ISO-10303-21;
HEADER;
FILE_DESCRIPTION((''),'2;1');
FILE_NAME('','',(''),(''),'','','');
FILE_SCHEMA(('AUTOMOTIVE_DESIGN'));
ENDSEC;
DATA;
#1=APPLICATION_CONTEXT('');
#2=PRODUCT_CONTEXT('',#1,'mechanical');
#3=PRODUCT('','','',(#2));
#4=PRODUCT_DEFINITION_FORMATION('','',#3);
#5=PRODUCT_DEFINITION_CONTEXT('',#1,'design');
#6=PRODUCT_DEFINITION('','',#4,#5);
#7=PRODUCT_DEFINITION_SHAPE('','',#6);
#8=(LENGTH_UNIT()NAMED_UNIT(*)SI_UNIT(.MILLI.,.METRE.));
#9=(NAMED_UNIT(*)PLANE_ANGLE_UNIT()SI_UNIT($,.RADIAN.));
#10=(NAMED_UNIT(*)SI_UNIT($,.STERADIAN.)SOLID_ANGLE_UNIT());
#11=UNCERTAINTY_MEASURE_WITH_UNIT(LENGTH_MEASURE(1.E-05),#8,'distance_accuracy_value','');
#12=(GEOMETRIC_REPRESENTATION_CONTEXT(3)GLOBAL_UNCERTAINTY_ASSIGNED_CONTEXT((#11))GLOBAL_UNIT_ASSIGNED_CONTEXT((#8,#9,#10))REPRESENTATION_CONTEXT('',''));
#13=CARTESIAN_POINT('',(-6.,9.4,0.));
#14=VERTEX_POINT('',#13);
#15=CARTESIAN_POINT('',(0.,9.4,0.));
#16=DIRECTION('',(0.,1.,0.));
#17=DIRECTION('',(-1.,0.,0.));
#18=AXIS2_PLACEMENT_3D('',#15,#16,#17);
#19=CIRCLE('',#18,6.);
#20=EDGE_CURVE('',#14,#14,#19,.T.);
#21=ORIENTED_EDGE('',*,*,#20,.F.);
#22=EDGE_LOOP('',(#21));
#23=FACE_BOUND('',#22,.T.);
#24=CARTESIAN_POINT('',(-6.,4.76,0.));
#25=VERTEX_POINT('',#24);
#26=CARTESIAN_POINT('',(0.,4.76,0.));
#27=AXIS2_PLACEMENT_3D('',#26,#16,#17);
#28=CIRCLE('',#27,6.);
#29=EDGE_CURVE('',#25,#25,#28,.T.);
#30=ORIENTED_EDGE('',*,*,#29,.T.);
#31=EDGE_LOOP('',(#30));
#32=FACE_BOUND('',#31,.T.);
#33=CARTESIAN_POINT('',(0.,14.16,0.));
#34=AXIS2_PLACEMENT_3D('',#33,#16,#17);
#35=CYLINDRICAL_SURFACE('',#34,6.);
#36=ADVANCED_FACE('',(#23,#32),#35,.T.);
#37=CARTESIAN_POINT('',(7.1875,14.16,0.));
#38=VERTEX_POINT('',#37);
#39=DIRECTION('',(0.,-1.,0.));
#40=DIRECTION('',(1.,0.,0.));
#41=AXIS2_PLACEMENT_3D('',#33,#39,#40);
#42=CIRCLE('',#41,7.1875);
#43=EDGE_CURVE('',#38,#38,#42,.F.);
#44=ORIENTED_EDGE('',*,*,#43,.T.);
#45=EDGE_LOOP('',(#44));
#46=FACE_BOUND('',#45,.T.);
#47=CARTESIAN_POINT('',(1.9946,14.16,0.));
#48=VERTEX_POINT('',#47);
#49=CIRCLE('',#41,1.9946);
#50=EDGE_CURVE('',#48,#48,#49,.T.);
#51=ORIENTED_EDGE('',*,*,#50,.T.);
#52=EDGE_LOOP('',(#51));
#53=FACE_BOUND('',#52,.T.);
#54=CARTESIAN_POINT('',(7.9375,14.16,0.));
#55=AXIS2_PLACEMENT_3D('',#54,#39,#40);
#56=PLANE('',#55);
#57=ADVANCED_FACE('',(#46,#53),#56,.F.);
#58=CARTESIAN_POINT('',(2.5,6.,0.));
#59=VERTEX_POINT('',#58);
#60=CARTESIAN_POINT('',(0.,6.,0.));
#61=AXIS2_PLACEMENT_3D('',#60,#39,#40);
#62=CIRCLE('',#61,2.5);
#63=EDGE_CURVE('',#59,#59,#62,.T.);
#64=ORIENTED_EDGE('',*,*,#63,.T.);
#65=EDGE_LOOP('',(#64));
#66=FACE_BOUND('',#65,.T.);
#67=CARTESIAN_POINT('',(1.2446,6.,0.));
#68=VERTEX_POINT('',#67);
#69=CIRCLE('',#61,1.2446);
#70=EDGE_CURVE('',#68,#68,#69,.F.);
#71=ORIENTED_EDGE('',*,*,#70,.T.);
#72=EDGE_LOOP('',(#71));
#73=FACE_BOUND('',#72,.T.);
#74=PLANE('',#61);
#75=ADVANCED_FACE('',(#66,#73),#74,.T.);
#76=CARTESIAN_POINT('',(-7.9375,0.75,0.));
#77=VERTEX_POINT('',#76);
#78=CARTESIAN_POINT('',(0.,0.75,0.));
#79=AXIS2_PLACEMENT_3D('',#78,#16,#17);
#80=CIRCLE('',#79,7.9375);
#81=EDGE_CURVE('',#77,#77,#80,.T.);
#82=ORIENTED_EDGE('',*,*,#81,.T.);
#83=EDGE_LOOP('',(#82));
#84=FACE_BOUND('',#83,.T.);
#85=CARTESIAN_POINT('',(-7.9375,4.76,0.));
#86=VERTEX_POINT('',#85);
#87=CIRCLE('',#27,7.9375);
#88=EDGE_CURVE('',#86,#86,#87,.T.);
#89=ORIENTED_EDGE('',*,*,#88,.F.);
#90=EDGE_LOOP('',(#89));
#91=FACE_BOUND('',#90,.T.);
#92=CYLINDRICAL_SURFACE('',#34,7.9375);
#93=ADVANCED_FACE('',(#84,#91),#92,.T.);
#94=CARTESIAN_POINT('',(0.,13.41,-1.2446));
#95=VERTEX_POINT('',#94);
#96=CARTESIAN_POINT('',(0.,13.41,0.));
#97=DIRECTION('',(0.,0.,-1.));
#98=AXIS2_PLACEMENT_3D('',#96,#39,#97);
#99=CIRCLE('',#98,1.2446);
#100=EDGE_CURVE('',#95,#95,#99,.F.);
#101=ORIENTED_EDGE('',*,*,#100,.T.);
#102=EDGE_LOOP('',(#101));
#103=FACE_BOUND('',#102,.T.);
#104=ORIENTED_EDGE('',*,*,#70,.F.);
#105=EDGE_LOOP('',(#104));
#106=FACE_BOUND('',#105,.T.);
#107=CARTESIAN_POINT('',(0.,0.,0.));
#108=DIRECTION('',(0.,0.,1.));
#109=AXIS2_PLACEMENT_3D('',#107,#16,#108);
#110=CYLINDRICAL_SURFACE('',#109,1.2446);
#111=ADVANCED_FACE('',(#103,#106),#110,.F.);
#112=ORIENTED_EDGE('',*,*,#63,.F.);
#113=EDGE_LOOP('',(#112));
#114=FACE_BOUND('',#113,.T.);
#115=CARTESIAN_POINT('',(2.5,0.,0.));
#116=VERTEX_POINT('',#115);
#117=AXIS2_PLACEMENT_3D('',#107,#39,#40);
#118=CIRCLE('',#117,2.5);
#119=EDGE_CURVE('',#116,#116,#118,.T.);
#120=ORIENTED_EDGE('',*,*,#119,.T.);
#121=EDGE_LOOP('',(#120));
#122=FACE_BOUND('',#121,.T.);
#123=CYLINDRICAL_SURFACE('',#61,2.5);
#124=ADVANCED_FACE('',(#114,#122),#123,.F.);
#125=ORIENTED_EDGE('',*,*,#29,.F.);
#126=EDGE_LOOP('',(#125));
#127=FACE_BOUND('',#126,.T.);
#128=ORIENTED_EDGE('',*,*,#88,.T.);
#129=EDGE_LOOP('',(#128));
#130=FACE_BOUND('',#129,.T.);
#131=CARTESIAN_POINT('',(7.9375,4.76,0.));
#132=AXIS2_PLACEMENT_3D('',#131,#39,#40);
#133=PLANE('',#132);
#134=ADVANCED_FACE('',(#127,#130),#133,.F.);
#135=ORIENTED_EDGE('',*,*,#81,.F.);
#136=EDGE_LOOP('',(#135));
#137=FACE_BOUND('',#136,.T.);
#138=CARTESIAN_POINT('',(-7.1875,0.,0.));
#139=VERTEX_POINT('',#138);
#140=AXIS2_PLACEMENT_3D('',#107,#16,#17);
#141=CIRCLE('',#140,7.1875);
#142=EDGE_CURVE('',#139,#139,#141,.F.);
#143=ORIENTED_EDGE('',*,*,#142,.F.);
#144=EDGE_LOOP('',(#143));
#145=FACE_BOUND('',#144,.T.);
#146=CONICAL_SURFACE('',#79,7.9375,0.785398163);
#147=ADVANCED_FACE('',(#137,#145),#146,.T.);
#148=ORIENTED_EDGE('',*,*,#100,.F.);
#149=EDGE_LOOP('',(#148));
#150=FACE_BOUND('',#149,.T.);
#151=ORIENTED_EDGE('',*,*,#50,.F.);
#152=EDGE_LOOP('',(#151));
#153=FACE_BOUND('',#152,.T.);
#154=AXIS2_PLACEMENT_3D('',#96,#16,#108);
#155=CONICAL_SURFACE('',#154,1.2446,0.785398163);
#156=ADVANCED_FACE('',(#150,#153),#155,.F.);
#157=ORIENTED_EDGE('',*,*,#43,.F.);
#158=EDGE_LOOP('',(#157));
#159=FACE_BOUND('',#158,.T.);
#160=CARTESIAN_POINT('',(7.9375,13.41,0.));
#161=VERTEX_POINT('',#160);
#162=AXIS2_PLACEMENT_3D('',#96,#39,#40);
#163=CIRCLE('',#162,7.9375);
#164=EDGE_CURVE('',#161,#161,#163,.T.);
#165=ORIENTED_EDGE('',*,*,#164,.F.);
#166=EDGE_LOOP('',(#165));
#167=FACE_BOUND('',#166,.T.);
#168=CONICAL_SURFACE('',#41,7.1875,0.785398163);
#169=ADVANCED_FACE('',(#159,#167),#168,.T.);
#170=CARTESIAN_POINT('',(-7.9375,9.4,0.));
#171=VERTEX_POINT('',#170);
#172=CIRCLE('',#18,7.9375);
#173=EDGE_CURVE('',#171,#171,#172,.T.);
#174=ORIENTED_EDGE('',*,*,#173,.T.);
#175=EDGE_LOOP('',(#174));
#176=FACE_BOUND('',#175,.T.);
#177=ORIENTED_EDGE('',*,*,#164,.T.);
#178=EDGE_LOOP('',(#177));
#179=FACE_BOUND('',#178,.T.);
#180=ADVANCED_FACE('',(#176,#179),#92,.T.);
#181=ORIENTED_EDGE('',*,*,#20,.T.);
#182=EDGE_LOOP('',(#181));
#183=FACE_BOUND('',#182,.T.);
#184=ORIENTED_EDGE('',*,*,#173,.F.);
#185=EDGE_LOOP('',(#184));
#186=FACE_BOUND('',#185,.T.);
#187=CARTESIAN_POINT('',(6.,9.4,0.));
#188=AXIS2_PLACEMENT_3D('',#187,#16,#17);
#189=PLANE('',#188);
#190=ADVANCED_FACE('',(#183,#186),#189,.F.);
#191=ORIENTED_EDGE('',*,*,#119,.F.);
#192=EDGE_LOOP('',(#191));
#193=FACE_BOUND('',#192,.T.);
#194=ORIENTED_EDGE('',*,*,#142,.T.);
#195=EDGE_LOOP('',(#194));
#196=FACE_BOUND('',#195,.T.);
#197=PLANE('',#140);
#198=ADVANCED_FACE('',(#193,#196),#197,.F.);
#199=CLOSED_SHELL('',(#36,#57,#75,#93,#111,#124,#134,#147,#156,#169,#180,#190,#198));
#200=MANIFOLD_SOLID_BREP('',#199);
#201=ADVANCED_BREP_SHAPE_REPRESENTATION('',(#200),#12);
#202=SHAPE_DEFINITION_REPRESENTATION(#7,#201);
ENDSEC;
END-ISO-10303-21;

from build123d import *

# Parameters (mm, degrees)
SKETCH2_R          = 1.2446
CUT_EXTRUDE1_DEPTH = 15.16
SKETCH4_R          = 2.5
CUT_EXTRUDE3_DEPTH = 6
CHAMFER1_SIZE      = 0.75


with BuildPart() as part:
    # Sketch1 → Revolve1 (revolve)
    with BuildSketch(Plane.XY):
        Polygon((0, 14.16), (0, 0), (7.9375, 0), (7.9375, 4.76), (6, 4.76), (6, 9.4), (7.9375, 9.4), (7.9375, 14.16), align=None)
    revolve(axis=Axis((0, 14.16, 0), (0, -1, 0)))

    # Sketch2 → Cut-Extrude1 (cut, through all)
    with BuildSketch(Plane(origin=(0, 14.16, 0), x_dir=(1, 0, 0), z_dir=(0, 1, 0))):
        Circle(SKETCH2_R)
    extrude(amount=-CUT_EXTRUDE1_DEPTH, mode=Mode.SUBTRACT)

    # Sketch4 → Cut-Extrude3 (cut)
    with BuildSketch(Plane.XZ):
        Circle(SKETCH4_R)
    extrude(amount=-CUT_EXTRUDE3_DEPTH, mode=Mode.SUBTRACT)

    # Chamfer1
    chamfer1_edges = [part.edges().sort_by_distance(p)[0] for p in [
        (-1.2446, 14.16, 0),
        (-7.9375, 14.16, 0),
        (-7.9375, 0, 0),
    ]]
    chamfer(chamfer1_edges, length=CHAMFER1_SIZE)


solid = part.part
